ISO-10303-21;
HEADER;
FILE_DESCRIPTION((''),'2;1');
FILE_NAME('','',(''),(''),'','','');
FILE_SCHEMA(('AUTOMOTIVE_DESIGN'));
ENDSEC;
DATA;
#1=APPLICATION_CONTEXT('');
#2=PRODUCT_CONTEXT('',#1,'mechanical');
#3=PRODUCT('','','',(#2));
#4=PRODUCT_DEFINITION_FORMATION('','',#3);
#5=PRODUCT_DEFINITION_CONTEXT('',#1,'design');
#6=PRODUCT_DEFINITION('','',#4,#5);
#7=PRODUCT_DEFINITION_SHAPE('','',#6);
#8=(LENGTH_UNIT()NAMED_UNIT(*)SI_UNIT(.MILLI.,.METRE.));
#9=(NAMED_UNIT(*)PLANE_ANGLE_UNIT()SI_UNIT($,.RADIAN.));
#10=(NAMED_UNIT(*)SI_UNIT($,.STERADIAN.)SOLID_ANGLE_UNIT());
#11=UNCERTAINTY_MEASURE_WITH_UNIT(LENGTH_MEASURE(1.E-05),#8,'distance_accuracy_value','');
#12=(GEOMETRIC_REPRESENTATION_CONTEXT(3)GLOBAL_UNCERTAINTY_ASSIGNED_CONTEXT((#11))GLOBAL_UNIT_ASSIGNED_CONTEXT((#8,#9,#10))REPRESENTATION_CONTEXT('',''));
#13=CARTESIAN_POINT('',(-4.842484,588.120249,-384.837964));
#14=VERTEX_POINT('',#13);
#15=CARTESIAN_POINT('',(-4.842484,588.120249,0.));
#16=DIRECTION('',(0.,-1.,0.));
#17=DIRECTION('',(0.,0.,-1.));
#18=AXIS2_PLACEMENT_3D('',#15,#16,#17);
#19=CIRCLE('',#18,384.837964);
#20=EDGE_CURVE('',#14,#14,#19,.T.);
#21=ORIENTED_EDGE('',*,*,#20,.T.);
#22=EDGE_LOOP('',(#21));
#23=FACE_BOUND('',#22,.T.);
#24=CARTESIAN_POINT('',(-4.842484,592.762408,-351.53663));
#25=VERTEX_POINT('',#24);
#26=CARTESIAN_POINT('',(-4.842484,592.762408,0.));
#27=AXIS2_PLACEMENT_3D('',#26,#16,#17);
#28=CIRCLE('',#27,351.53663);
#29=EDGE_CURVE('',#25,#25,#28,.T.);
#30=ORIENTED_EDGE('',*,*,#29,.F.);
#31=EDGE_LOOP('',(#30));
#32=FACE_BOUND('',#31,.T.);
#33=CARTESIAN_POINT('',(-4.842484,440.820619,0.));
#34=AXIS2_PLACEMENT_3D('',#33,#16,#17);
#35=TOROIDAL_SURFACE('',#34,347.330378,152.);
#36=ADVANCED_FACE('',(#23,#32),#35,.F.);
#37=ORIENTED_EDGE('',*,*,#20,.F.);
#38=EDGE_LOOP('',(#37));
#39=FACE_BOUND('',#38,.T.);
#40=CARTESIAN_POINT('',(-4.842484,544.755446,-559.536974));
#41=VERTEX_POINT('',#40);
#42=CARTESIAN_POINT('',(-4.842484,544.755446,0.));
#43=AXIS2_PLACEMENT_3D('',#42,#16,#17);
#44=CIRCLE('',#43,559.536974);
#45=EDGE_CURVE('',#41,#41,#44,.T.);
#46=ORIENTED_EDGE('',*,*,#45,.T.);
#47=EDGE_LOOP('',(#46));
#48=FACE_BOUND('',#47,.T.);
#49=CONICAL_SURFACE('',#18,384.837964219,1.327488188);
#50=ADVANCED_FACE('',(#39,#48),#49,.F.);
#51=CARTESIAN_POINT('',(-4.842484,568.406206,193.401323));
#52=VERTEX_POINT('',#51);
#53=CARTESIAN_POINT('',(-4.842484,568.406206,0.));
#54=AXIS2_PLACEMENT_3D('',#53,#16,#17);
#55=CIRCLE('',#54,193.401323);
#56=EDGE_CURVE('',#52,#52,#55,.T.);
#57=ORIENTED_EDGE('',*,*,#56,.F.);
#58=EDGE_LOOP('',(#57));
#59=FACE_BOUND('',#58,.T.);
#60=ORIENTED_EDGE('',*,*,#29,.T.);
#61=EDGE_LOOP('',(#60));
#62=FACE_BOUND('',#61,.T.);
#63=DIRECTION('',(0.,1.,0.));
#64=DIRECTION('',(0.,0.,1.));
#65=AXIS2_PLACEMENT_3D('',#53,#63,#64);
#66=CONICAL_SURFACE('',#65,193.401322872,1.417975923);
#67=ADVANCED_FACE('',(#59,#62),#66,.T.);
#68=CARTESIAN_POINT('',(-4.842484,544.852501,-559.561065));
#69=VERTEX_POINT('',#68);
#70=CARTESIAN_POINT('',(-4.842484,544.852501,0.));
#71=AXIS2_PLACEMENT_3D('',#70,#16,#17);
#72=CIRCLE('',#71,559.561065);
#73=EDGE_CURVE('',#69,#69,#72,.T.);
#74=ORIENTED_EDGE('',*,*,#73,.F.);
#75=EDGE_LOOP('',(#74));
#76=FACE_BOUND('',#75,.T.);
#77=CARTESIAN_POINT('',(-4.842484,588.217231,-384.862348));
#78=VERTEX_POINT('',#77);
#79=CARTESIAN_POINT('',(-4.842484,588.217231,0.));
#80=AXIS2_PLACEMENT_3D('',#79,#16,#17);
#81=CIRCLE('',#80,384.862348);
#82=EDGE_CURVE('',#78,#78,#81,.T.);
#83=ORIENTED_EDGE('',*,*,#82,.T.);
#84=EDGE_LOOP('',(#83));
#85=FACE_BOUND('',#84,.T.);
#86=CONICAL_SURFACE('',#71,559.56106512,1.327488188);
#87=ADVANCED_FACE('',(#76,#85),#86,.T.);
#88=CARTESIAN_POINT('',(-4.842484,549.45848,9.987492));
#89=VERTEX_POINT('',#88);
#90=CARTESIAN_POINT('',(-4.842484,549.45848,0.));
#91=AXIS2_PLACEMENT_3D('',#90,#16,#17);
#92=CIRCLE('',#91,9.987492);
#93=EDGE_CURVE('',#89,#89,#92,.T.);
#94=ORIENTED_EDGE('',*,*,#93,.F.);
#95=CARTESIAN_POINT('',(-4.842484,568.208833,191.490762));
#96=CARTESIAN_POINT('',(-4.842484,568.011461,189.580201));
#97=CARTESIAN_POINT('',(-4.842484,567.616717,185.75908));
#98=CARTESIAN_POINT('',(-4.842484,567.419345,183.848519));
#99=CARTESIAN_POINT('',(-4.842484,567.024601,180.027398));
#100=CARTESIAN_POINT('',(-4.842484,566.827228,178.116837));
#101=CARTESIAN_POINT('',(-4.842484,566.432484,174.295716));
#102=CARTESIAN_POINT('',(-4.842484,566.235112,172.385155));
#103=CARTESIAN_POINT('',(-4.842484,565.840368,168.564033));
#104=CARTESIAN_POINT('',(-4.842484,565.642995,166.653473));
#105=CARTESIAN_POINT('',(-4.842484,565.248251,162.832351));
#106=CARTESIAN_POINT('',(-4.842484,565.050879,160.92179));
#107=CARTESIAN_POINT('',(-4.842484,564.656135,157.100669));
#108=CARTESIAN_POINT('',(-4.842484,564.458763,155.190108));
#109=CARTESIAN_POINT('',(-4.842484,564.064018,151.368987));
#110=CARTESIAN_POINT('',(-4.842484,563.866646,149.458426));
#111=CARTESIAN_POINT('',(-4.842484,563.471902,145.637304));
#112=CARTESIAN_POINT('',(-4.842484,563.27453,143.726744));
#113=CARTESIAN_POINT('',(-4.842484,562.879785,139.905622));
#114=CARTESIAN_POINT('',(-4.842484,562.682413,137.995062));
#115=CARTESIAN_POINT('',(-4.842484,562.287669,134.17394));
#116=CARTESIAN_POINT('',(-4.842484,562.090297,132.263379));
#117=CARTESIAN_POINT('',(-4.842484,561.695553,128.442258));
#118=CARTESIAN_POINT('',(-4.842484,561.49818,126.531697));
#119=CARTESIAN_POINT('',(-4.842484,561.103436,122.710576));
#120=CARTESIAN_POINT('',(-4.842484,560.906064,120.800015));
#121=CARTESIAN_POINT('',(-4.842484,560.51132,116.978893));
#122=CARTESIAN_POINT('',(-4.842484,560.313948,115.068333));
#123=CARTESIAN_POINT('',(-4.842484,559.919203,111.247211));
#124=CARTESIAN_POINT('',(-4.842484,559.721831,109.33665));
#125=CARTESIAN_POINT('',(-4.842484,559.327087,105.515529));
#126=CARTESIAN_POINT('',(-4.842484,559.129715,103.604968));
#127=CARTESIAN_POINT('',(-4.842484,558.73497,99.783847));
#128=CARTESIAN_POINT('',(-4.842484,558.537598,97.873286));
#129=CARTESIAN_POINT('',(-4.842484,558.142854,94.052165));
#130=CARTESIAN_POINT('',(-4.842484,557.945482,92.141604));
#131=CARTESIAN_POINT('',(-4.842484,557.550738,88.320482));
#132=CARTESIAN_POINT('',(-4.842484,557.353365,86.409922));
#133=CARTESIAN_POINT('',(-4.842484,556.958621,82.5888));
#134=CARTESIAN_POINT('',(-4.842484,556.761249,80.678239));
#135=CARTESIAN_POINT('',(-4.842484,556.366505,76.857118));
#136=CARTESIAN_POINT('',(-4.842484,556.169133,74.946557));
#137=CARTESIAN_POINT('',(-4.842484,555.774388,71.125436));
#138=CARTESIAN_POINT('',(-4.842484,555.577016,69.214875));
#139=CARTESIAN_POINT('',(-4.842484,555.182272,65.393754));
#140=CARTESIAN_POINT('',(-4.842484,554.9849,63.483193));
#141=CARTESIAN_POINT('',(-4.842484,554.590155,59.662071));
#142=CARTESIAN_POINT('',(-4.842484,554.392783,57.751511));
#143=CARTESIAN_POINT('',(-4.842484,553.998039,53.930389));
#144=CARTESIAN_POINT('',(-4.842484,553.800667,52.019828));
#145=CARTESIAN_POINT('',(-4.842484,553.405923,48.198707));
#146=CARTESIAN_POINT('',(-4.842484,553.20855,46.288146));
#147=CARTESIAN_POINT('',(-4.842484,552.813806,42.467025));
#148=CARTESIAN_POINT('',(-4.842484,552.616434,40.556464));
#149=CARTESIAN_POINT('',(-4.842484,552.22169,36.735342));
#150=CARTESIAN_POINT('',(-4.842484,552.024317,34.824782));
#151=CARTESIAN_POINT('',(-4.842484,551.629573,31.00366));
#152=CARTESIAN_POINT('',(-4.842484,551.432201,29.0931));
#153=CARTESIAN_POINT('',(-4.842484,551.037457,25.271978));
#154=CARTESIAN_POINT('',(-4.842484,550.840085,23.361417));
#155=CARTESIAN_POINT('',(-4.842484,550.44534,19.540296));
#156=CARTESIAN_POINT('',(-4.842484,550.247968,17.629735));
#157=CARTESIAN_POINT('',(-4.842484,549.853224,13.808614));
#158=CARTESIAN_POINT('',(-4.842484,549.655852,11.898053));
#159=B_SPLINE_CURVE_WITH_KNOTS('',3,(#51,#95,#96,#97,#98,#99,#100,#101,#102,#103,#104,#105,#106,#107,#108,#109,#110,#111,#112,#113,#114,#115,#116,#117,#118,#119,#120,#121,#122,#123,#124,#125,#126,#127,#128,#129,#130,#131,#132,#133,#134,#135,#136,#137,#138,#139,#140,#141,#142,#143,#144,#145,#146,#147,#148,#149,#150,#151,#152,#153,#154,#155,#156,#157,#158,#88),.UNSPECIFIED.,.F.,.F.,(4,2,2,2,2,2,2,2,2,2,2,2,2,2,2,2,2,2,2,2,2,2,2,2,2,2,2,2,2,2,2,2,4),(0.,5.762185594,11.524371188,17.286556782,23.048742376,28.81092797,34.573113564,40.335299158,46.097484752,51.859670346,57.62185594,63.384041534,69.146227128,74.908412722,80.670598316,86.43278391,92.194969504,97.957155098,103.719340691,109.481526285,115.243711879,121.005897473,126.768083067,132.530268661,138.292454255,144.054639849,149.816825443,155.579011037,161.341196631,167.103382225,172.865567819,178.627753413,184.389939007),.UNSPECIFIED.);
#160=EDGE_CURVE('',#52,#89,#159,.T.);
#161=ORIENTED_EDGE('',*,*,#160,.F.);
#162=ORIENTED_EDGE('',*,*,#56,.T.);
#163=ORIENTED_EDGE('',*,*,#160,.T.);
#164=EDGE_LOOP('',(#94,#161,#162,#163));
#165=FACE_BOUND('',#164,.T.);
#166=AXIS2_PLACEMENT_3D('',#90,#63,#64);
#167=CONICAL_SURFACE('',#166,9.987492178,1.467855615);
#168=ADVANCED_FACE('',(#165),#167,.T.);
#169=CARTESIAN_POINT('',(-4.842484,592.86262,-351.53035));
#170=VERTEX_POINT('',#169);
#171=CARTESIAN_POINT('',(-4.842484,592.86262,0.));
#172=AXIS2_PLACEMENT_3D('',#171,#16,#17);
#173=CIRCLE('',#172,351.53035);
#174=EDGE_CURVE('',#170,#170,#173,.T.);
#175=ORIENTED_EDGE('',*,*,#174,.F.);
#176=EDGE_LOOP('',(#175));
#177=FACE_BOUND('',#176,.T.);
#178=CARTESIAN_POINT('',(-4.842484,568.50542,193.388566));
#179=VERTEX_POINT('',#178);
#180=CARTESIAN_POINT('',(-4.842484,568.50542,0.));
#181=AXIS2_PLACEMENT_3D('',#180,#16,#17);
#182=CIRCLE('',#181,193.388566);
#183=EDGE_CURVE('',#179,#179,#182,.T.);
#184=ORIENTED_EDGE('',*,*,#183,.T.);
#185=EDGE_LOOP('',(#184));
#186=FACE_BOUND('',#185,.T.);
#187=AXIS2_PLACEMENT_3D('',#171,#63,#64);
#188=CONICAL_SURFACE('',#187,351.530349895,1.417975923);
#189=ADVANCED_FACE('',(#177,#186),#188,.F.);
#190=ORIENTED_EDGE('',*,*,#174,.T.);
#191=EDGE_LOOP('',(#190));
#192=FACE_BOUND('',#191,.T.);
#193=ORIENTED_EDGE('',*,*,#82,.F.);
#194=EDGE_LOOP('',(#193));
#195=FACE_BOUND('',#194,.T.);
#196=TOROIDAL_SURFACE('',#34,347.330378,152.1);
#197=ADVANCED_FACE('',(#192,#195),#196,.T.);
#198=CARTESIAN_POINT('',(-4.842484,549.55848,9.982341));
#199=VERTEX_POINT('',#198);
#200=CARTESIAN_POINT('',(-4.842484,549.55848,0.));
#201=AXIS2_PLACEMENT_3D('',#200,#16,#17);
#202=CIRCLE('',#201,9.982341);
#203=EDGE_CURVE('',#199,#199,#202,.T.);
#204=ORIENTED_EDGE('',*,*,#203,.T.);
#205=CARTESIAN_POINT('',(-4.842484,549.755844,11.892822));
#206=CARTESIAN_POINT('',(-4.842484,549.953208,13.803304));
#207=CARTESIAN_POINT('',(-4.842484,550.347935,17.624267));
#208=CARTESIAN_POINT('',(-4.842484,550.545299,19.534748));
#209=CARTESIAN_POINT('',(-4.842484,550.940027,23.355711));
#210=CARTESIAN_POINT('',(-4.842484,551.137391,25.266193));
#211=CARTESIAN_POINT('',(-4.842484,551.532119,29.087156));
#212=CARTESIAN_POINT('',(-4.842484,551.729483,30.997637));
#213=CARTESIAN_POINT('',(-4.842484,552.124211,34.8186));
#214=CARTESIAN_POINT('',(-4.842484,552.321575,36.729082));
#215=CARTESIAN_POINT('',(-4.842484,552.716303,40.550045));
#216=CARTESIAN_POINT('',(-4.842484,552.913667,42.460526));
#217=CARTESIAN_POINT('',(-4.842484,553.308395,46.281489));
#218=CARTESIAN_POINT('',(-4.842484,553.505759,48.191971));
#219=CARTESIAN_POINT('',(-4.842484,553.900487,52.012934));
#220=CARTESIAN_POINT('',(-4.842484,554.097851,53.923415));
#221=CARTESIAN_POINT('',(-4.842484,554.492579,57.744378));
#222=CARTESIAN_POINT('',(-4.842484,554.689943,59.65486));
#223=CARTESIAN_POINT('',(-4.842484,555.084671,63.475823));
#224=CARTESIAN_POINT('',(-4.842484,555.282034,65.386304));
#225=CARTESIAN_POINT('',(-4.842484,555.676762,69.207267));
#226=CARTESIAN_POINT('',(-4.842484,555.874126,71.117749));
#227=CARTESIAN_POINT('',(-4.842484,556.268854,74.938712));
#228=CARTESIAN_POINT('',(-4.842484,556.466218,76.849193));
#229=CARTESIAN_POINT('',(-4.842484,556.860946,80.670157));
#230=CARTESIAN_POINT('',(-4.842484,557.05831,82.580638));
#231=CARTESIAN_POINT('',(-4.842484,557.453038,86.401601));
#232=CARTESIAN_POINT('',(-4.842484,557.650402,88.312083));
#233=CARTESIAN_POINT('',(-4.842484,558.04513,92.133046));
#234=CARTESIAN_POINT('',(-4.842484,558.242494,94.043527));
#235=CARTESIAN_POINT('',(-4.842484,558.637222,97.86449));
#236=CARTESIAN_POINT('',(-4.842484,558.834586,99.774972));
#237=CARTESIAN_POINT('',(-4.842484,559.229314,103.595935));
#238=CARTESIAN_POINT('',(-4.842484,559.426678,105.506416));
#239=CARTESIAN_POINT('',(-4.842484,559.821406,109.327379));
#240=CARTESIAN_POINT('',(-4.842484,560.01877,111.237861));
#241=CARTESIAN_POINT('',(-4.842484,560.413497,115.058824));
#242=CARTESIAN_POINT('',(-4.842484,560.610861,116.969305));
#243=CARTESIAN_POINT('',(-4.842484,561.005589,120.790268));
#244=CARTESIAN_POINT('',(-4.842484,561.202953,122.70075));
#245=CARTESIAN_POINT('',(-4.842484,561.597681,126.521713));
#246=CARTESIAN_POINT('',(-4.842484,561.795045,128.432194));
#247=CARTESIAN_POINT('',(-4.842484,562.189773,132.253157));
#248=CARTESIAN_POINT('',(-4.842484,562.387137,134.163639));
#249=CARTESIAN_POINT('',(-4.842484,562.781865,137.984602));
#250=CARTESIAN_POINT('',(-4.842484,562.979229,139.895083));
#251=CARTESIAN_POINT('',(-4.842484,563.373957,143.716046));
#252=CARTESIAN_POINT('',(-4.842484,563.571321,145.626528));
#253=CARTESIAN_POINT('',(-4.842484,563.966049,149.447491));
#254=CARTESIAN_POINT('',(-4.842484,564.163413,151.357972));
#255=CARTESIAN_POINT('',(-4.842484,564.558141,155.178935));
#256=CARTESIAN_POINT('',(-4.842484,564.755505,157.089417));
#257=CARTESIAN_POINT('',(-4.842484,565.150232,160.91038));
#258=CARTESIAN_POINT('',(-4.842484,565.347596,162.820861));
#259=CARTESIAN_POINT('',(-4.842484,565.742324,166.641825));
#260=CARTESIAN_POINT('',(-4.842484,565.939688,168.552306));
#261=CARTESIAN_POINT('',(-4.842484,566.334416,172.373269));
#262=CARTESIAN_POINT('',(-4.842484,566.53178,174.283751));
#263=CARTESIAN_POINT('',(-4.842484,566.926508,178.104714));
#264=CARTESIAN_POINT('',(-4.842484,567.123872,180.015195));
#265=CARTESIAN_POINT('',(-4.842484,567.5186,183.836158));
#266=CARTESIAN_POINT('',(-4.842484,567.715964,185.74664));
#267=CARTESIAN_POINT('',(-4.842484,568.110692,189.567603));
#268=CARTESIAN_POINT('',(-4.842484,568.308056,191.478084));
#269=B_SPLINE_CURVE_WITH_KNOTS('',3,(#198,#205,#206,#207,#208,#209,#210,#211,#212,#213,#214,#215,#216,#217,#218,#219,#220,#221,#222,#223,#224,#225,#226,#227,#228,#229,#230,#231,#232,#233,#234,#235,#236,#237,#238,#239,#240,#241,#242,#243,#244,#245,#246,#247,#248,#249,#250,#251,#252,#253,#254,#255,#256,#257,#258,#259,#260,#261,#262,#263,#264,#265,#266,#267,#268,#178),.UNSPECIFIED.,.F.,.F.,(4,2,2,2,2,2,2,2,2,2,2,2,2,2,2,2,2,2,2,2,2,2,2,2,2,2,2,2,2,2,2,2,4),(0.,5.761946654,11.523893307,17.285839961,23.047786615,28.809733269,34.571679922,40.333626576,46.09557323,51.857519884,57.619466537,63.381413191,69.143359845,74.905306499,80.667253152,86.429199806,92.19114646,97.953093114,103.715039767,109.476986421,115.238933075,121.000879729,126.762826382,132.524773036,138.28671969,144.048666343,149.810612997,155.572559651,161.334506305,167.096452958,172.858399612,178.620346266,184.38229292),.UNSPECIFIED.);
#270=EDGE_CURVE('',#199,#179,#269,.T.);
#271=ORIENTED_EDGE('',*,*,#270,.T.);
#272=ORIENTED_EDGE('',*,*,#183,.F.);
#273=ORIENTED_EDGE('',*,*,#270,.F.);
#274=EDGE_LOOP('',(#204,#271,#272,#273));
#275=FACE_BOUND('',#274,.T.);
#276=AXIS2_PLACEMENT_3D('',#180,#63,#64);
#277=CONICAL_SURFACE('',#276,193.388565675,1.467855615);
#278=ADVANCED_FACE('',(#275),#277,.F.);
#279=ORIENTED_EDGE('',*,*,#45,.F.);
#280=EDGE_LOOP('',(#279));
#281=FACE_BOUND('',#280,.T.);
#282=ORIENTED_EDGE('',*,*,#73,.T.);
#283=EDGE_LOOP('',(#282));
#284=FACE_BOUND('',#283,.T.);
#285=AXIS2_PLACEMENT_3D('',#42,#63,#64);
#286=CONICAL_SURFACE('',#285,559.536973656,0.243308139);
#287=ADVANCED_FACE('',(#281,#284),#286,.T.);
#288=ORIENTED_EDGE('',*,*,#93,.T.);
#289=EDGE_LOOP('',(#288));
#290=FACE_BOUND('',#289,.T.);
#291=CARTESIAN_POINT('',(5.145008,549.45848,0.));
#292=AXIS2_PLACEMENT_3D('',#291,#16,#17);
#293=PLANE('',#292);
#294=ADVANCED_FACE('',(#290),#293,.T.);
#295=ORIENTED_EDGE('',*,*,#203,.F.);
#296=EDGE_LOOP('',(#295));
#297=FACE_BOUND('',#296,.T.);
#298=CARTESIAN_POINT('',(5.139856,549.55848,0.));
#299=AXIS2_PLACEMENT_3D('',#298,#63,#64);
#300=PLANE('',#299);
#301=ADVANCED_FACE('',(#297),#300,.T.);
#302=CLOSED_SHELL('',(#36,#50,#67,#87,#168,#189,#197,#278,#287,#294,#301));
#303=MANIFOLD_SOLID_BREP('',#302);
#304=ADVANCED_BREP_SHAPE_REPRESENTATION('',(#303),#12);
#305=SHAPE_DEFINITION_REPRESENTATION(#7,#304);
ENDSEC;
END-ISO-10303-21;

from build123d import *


with BuildPart() as part:
    # Schizzo1 → Rivoluzione1 (revolve)
    with BuildSketch(Plane(origin=(0, 0, 0), x_dir=(-1, 0, 0), z_dir=(0, 0, 1)), mode=Mode.PRIVATE) as rivoluzione1_sk:
        with BuildLine():
            Line((-554.694489339, -544.755446129), (-379.995479902, -588.120248731))
            ThreePointArc((-379.995479902, -588.120248731), (-363.473567073, -591.36496946), (-346.694145738, -592.762408471))
            Line((-346.694145738, -592.762408471), (-188.558838555, -568.406205519))
            Line((-188.558838555, -568.406205519), (-5.145007861, -549.45847961))
            Line((-5.145007861, -549.45847961), (4.842484317, -549.45847961))
            Line((4.842484317, -549.45847961), (4.842484317, -549.55847961))
            Line((4.842484317, -549.55847961), (-5.139856275, -549.55847961))
            Line((-5.139856275, -549.55847961), (-188.546081358, -568.505419815))
            Line((-188.546081358, -568.505419815), (-346.687865577, -592.862620368))
            ThreePointArc((-346.687865577, -592.862620368), (-363.482742045, -591.464657333), (-380.01986383, -588.217230765))
            Line((-380.01986383, -588.217230765), (-554.718580803, -544.852500759))
            Line((-554.718580803, -544.852500759), (-554.694489339, -544.755446129))
        make_face()
    revolve(rivoluzione1_sk.sketch.rotate(Axis((-4.842484317, 549.239933768, 0), (0, 1, 0)), 90), axis=Axis((-4.842484317, 549.239933768, 0), (0, 1, 0)))


solid = part.part
